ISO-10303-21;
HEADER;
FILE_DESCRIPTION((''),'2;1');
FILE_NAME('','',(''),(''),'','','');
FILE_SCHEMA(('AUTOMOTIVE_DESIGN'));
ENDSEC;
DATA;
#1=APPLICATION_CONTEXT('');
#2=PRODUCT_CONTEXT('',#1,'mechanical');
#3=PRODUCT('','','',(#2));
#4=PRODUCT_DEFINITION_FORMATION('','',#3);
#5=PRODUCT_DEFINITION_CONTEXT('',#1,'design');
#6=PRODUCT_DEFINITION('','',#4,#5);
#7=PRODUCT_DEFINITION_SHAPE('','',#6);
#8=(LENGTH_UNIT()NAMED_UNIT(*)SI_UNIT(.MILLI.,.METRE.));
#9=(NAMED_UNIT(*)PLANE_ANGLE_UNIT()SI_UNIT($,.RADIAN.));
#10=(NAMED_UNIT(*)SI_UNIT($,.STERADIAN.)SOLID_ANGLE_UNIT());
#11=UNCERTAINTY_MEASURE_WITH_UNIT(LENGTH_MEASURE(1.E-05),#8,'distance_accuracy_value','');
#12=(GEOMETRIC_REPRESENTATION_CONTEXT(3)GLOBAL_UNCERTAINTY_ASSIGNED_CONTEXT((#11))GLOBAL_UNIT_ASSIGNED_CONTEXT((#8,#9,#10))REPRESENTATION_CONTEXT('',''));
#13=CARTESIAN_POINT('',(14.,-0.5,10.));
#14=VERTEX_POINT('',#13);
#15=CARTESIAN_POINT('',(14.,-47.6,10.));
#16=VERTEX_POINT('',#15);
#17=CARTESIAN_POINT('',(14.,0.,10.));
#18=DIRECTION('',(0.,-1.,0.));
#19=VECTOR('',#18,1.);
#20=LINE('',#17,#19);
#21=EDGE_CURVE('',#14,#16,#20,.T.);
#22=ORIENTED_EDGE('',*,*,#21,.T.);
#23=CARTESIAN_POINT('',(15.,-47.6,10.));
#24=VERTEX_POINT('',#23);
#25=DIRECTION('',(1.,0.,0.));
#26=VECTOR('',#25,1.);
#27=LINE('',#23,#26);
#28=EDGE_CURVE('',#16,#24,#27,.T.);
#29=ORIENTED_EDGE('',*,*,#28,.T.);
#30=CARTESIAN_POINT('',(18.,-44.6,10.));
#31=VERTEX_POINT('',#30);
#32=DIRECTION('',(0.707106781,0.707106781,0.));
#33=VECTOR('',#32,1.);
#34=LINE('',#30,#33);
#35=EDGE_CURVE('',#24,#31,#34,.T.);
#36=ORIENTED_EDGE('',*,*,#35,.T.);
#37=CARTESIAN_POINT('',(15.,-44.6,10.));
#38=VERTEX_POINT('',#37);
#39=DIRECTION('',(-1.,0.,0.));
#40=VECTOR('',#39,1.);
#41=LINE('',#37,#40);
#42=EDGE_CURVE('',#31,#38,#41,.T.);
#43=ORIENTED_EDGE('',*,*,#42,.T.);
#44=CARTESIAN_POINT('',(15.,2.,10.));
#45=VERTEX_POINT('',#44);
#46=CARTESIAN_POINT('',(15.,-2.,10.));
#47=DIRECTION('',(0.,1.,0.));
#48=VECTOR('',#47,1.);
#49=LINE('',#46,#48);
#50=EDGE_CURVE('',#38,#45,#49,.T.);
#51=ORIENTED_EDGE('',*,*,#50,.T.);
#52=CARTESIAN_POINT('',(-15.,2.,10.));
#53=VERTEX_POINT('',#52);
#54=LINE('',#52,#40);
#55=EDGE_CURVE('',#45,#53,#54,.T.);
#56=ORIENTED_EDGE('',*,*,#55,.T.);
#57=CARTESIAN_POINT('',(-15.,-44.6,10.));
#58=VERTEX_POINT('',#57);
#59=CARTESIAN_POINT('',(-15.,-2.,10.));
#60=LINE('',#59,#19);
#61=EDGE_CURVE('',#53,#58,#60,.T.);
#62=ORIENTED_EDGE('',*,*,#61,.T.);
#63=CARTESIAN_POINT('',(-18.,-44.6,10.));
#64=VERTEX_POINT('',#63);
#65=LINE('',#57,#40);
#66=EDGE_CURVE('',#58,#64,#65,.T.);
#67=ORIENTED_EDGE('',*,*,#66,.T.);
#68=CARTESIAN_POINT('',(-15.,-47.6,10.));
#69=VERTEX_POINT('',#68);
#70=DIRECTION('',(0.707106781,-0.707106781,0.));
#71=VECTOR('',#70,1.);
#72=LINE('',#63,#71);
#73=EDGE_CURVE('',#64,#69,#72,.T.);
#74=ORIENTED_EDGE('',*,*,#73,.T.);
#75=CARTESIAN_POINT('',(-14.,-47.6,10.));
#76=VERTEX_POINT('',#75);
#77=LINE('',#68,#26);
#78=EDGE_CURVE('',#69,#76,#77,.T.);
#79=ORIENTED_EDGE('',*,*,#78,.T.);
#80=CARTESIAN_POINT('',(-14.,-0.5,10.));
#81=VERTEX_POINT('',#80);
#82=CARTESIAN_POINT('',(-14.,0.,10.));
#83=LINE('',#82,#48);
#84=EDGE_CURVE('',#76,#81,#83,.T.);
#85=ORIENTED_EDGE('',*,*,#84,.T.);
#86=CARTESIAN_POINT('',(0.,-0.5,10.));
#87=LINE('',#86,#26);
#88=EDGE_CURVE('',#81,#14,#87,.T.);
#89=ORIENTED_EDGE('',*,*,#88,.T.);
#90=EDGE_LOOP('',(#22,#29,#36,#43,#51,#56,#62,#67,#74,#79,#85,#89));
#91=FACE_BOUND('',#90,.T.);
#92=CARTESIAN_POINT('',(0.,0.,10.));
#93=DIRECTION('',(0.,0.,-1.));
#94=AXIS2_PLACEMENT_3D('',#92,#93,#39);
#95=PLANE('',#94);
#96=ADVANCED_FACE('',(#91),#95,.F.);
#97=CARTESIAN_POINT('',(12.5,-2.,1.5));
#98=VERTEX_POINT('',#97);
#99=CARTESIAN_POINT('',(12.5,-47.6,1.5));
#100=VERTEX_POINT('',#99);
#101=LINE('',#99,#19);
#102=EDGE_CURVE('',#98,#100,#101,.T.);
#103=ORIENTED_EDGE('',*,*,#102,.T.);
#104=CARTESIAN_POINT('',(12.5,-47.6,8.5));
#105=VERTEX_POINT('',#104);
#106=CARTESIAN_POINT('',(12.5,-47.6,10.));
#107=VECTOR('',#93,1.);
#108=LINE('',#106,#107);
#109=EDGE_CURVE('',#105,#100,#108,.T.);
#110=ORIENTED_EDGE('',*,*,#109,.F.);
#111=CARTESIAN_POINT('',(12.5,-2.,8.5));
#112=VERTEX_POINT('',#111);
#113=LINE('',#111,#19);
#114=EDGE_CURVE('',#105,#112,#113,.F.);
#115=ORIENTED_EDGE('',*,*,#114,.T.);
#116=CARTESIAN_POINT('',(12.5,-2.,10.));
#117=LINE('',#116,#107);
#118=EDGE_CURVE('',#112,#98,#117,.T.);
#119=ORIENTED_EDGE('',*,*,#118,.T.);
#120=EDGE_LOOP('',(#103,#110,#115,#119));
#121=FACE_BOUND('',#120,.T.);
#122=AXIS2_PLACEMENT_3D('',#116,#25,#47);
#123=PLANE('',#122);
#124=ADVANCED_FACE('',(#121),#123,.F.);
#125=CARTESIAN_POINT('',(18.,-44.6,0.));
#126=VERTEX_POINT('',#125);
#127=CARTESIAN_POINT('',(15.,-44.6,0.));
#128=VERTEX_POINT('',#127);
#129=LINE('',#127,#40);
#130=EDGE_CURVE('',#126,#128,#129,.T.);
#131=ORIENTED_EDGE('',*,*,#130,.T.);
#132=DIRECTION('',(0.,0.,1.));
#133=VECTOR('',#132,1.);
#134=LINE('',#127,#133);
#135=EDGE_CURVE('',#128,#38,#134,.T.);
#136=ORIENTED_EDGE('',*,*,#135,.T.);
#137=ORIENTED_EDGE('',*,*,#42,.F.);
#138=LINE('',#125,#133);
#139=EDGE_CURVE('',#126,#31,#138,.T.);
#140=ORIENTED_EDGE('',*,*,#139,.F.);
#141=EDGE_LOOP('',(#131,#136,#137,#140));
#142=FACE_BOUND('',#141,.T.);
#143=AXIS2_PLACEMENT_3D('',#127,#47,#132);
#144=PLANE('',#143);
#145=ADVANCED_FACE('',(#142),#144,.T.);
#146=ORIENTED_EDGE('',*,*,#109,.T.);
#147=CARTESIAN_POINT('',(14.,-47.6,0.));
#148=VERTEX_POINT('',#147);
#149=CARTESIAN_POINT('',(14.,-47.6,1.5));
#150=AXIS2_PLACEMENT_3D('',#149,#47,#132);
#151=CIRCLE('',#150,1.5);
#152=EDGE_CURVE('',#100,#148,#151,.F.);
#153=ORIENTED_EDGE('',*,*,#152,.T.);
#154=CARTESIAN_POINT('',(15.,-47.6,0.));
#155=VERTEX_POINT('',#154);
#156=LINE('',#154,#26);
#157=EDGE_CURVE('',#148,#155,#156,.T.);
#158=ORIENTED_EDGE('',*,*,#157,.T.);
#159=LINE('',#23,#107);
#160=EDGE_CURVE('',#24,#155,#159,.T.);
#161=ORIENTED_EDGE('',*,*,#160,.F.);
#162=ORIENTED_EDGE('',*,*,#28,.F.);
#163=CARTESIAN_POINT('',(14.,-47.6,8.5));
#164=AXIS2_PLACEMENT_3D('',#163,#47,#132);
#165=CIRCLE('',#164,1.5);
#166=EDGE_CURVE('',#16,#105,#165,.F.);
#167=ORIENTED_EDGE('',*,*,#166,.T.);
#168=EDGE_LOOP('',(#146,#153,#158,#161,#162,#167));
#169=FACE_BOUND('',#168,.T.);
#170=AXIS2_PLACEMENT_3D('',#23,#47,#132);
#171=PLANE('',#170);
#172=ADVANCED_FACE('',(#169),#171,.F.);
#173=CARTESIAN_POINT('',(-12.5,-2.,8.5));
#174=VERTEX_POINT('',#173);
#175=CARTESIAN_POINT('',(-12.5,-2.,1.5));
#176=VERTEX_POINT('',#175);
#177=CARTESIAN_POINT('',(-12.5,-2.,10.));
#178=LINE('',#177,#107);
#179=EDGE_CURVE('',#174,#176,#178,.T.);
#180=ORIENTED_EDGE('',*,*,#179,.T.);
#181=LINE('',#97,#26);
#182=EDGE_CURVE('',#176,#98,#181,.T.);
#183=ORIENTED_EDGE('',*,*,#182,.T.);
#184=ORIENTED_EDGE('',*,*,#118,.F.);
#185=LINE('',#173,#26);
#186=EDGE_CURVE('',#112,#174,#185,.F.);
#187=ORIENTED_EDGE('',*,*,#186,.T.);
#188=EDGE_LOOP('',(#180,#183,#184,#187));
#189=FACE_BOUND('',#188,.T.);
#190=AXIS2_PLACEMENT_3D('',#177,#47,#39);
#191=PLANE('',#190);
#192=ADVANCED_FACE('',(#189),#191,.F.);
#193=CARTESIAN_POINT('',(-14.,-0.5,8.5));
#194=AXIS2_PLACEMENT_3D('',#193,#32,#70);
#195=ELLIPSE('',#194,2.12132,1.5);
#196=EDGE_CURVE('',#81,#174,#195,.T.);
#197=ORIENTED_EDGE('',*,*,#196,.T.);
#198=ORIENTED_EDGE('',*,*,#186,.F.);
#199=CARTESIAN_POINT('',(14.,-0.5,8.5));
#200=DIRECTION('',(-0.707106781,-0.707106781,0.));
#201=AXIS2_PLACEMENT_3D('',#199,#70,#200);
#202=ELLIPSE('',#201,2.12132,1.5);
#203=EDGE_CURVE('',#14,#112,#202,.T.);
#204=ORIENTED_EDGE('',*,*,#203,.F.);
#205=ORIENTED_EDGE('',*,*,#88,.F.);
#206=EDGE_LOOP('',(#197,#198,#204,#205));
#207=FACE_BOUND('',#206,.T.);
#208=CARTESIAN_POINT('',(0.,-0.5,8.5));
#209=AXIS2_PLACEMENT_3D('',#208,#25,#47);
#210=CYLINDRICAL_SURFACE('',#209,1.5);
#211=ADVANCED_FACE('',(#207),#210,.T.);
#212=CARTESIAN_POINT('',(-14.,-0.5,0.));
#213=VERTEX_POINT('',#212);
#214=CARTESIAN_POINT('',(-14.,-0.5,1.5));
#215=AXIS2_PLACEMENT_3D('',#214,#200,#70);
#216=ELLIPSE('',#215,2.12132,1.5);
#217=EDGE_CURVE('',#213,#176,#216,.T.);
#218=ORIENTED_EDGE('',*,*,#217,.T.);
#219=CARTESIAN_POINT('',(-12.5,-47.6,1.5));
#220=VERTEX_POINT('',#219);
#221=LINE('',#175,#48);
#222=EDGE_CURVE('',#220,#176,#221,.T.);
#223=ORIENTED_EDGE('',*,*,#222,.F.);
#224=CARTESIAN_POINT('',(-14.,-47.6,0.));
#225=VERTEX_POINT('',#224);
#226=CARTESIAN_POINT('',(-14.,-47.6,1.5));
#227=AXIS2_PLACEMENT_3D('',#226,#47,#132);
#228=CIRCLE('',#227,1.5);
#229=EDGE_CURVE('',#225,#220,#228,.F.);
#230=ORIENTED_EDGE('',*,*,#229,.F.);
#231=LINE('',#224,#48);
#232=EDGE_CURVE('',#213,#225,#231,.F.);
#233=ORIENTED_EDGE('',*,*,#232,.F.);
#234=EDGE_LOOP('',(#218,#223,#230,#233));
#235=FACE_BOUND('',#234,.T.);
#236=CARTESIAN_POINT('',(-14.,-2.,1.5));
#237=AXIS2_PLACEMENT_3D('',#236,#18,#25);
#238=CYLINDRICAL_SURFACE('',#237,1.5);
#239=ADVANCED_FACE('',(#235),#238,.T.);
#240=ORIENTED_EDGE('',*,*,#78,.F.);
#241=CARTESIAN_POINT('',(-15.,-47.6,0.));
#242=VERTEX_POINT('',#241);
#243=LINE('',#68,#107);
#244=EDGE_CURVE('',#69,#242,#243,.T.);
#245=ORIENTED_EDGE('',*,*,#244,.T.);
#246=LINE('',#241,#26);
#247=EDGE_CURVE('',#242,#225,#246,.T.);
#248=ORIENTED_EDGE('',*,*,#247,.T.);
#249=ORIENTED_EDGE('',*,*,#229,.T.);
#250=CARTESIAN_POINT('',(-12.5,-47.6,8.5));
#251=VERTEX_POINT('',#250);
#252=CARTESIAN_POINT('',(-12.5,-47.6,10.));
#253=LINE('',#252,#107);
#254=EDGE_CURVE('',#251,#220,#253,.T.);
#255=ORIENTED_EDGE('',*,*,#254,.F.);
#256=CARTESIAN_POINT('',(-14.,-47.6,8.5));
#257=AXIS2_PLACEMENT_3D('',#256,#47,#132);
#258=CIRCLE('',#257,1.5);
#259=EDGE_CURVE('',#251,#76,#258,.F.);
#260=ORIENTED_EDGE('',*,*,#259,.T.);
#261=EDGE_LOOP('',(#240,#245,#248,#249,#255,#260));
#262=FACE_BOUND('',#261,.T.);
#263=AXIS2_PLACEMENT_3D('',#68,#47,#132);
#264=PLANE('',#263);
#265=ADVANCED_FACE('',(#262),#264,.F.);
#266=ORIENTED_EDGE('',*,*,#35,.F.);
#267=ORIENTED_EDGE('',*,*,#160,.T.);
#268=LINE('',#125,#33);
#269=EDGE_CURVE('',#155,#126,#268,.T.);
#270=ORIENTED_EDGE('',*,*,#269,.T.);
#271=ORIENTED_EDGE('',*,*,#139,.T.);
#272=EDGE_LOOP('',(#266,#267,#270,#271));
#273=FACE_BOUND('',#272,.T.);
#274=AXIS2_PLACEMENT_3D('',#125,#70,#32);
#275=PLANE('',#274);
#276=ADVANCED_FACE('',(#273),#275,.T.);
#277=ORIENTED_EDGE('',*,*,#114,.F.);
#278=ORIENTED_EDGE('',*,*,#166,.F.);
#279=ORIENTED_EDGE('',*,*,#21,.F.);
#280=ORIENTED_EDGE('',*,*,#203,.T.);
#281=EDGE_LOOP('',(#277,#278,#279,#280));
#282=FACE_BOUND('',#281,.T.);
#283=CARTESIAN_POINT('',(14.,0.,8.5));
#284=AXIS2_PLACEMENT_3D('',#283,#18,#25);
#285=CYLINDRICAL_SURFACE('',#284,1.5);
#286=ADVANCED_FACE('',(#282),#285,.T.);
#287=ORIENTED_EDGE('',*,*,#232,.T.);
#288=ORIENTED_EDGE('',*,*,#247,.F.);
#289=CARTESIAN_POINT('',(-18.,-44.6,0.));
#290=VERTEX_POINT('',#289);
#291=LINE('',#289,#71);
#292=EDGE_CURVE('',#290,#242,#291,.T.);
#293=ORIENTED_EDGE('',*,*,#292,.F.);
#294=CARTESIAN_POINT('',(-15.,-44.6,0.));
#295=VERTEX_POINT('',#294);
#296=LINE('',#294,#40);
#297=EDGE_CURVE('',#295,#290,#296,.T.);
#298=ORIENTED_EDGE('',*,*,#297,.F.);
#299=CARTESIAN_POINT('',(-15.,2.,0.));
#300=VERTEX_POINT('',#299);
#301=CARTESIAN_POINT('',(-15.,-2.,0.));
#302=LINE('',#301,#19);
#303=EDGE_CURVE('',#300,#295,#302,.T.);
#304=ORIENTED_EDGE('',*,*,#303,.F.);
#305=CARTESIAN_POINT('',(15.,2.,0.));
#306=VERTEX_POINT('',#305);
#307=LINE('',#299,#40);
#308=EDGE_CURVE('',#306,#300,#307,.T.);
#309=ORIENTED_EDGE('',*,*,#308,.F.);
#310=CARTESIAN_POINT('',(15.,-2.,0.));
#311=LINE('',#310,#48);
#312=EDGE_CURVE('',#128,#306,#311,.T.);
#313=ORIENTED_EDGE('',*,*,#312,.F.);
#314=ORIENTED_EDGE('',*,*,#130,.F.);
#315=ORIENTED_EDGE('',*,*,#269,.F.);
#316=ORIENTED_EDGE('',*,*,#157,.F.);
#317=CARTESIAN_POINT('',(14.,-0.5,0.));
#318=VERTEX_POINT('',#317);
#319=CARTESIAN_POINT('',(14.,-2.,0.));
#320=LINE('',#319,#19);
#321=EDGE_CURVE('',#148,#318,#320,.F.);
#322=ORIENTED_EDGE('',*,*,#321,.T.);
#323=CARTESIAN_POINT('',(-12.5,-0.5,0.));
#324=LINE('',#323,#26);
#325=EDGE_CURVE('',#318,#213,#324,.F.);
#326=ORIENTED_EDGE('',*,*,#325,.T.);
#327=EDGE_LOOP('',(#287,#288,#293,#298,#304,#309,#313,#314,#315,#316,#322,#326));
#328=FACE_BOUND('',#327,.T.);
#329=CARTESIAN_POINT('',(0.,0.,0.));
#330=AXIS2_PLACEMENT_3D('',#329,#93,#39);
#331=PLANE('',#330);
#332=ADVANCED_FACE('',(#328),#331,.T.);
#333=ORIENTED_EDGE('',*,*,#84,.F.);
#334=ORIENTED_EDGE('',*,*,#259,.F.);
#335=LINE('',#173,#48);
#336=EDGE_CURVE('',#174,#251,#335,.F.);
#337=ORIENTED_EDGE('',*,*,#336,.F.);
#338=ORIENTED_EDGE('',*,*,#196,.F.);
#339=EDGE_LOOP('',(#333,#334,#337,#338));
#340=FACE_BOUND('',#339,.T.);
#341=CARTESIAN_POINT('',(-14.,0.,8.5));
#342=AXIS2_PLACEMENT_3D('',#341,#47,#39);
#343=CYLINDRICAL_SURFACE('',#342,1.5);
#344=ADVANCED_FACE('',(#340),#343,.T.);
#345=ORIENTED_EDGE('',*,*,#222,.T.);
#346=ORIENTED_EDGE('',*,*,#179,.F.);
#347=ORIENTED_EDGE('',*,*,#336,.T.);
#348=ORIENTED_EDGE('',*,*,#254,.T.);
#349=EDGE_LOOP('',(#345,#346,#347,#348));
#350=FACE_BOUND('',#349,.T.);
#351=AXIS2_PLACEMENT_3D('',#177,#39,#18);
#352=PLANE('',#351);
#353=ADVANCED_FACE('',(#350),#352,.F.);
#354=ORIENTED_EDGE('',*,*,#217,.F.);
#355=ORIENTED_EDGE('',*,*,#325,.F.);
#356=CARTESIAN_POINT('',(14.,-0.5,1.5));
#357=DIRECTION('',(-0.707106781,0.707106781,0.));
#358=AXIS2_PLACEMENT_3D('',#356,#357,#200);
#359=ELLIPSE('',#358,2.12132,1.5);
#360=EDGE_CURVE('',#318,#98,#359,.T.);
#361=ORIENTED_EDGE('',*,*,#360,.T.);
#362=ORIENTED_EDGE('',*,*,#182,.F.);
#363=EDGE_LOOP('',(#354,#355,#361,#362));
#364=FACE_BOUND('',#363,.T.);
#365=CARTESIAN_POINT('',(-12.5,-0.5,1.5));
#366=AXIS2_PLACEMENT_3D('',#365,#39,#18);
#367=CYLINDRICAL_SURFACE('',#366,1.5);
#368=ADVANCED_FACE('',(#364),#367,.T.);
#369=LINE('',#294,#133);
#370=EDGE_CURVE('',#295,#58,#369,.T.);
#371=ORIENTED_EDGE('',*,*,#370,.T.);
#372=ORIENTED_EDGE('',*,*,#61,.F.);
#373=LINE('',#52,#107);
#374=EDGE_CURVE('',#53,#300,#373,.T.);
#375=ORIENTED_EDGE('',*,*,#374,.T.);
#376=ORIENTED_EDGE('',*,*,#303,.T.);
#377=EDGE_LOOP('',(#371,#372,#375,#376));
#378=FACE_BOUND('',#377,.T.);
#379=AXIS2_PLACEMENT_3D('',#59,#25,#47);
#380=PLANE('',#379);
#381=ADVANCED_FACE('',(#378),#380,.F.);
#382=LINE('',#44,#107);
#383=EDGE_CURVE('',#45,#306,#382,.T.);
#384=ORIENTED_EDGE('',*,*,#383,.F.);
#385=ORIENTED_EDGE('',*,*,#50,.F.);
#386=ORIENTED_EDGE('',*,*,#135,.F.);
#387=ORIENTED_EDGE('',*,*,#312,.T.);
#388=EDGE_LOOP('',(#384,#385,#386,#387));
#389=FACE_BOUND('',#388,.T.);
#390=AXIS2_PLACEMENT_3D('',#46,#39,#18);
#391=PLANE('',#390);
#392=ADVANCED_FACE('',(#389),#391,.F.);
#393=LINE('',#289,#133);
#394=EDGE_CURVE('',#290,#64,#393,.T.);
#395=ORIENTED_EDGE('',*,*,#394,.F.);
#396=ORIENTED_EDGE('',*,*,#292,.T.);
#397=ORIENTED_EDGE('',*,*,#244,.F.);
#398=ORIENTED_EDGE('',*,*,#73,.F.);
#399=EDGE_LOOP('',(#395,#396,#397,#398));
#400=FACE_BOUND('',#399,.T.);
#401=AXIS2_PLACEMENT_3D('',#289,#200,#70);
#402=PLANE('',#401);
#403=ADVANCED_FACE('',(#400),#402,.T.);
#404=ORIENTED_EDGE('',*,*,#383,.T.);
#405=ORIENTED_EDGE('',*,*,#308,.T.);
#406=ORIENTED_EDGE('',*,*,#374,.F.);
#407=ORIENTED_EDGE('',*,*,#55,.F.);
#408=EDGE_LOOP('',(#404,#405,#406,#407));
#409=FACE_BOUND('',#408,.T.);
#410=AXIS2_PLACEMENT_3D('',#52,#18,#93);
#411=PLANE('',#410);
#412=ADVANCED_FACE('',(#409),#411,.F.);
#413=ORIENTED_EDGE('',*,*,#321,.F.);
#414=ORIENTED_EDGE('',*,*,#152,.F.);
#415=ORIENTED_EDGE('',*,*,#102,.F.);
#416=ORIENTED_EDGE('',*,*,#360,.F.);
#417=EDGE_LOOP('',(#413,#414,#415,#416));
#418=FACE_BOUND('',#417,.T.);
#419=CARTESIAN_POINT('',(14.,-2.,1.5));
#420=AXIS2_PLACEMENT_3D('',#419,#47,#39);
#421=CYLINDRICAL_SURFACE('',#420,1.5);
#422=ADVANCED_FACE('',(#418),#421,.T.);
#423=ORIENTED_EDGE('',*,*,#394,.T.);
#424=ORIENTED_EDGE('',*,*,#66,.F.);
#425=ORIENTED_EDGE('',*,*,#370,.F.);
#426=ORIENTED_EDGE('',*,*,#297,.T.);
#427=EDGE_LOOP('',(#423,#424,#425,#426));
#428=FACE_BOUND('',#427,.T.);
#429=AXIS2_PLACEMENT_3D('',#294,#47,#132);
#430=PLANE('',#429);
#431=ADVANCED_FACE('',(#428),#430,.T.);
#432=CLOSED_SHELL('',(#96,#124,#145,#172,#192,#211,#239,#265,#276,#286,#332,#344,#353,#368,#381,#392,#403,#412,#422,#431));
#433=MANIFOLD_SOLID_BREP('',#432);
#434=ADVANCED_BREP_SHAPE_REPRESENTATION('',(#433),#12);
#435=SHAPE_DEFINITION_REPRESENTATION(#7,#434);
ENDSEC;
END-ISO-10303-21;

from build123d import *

# Parameters (mm, degrees)
BOSS_EXTRUDE1_DEPTH = 10
BOSS_EXTRUDE3_DEPTH = 10
FILLET3_R           = 1.5


with BuildPart() as part:
    # Sketch1 → Boss-Extrude1 (new body)
    with BuildSketch(Plane.XY):
        Polygon((-12.5, -2), (12.5, -2), (12.5, -47.6), (15, -47.6), (15, -2), (15, 2), (-15, 2), (-15, -2), (-15, -47.6), (-12.5, -47.6), align=None)
    extrude(amount=BOSS_EXTRUDE1_DEPTH)

    # Sketch2 → Boss-Extrude3 (add)
    with BuildSketch(Plane.XY.offset(10)):
        Polygon((18, -44.6), (15, -47.6), (15, -44.6), align=None)
        Polygon((-15, -47.6), (-15, -44.6), (-18, -44.6), align=None)
    extrude(amount=-BOSS_EXTRUDE3_DEPTH)

    # Fillet3
    fillet3_edges = [part.edges().sort_by_distance(p)[0] for p in [
        (12.5, -24.8, 0),
        (0, -2, 0),
        (-12.5, -24.8, 0),
        (-12.5, -24.8, 10),
        (0, -2, 10),
        (12.5, -24.8, 10),
    ]]
    fillet(fillet3_edges, radius=FILLET3_R)


solid = part.part
